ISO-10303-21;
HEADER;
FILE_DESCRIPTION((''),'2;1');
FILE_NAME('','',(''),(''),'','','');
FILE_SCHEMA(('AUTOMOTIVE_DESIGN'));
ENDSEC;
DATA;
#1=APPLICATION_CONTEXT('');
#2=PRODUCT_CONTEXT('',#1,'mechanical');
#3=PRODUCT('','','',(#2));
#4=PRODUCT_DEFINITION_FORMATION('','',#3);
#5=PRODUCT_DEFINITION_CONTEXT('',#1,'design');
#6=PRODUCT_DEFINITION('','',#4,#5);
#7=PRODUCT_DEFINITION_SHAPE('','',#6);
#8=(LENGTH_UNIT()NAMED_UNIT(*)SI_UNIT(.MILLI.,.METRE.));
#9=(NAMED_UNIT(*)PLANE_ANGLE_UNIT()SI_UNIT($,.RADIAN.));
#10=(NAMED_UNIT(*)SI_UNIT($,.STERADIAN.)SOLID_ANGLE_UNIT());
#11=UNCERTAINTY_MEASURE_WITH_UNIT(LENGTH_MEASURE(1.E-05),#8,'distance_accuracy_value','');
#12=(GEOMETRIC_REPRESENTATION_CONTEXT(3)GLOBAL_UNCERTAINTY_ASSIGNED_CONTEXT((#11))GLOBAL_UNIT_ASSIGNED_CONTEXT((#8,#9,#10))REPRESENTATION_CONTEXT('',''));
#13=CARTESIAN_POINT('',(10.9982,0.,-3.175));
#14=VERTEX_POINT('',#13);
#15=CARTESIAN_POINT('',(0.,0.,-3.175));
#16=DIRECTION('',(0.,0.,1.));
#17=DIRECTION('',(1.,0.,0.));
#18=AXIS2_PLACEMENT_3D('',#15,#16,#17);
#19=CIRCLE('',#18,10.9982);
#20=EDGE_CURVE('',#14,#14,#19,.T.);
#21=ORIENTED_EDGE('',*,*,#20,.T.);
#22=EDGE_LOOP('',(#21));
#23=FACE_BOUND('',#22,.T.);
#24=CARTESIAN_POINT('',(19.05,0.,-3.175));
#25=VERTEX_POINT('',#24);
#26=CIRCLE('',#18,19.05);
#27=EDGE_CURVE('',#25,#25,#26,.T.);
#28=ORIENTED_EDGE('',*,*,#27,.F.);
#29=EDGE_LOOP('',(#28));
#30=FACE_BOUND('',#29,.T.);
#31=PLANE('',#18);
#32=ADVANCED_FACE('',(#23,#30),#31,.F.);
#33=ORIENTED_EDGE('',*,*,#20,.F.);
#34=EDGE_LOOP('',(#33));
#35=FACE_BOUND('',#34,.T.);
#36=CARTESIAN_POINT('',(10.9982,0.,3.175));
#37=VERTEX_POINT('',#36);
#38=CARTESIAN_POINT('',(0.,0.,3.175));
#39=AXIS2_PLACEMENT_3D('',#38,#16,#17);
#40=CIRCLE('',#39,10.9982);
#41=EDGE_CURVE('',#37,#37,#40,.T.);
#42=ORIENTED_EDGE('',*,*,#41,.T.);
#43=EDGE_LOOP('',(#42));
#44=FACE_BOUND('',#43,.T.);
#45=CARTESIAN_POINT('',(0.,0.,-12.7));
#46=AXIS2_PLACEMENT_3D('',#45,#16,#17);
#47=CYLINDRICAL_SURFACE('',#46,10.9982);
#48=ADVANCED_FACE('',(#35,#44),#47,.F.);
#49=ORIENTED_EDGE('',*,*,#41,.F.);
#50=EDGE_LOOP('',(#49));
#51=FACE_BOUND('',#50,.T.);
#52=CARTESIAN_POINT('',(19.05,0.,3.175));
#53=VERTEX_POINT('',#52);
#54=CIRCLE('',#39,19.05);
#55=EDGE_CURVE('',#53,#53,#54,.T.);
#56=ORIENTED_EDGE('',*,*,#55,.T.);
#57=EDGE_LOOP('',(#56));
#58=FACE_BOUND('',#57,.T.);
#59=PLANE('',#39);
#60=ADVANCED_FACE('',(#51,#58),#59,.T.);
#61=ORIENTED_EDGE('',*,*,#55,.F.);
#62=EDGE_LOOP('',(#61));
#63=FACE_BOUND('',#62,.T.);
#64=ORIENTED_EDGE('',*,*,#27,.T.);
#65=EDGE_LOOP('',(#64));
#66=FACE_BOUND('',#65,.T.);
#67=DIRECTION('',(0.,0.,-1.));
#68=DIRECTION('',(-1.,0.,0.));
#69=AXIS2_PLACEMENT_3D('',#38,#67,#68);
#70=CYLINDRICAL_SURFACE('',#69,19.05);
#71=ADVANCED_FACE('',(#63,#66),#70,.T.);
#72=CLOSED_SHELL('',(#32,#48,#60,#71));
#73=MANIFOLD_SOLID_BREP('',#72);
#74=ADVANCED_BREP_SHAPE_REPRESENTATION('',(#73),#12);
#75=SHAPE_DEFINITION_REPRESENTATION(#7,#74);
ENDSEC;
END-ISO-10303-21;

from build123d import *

# Parameters (mm, degrees)
SKETCH4_R           = 19.05
BOSS_EXTRUDE1_DEPTH = 3.175
SKETCH2_R           = 10.9982
CUT_EXTRUDE1_DEPTH  = 12.7


with BuildPart() as part:
    # Sketch4 → Boss-Extrude1 (new, symmetric)
    with BuildSketch(Plane.XY):
        Circle(SKETCH4_R)
    extrude(amount=BOSS_EXTRUDE1_DEPTH, both=True)

    # Sketch2 → Cut-Extrude1 (cut, symmetric)
    with BuildSketch(Plane.XY):
        Circle(SKETCH2_R)
    extrude(amount=CUT_EXTRUDE1_DEPTH, both=True, mode=Mode.SUBTRACT)


solid = part.part
